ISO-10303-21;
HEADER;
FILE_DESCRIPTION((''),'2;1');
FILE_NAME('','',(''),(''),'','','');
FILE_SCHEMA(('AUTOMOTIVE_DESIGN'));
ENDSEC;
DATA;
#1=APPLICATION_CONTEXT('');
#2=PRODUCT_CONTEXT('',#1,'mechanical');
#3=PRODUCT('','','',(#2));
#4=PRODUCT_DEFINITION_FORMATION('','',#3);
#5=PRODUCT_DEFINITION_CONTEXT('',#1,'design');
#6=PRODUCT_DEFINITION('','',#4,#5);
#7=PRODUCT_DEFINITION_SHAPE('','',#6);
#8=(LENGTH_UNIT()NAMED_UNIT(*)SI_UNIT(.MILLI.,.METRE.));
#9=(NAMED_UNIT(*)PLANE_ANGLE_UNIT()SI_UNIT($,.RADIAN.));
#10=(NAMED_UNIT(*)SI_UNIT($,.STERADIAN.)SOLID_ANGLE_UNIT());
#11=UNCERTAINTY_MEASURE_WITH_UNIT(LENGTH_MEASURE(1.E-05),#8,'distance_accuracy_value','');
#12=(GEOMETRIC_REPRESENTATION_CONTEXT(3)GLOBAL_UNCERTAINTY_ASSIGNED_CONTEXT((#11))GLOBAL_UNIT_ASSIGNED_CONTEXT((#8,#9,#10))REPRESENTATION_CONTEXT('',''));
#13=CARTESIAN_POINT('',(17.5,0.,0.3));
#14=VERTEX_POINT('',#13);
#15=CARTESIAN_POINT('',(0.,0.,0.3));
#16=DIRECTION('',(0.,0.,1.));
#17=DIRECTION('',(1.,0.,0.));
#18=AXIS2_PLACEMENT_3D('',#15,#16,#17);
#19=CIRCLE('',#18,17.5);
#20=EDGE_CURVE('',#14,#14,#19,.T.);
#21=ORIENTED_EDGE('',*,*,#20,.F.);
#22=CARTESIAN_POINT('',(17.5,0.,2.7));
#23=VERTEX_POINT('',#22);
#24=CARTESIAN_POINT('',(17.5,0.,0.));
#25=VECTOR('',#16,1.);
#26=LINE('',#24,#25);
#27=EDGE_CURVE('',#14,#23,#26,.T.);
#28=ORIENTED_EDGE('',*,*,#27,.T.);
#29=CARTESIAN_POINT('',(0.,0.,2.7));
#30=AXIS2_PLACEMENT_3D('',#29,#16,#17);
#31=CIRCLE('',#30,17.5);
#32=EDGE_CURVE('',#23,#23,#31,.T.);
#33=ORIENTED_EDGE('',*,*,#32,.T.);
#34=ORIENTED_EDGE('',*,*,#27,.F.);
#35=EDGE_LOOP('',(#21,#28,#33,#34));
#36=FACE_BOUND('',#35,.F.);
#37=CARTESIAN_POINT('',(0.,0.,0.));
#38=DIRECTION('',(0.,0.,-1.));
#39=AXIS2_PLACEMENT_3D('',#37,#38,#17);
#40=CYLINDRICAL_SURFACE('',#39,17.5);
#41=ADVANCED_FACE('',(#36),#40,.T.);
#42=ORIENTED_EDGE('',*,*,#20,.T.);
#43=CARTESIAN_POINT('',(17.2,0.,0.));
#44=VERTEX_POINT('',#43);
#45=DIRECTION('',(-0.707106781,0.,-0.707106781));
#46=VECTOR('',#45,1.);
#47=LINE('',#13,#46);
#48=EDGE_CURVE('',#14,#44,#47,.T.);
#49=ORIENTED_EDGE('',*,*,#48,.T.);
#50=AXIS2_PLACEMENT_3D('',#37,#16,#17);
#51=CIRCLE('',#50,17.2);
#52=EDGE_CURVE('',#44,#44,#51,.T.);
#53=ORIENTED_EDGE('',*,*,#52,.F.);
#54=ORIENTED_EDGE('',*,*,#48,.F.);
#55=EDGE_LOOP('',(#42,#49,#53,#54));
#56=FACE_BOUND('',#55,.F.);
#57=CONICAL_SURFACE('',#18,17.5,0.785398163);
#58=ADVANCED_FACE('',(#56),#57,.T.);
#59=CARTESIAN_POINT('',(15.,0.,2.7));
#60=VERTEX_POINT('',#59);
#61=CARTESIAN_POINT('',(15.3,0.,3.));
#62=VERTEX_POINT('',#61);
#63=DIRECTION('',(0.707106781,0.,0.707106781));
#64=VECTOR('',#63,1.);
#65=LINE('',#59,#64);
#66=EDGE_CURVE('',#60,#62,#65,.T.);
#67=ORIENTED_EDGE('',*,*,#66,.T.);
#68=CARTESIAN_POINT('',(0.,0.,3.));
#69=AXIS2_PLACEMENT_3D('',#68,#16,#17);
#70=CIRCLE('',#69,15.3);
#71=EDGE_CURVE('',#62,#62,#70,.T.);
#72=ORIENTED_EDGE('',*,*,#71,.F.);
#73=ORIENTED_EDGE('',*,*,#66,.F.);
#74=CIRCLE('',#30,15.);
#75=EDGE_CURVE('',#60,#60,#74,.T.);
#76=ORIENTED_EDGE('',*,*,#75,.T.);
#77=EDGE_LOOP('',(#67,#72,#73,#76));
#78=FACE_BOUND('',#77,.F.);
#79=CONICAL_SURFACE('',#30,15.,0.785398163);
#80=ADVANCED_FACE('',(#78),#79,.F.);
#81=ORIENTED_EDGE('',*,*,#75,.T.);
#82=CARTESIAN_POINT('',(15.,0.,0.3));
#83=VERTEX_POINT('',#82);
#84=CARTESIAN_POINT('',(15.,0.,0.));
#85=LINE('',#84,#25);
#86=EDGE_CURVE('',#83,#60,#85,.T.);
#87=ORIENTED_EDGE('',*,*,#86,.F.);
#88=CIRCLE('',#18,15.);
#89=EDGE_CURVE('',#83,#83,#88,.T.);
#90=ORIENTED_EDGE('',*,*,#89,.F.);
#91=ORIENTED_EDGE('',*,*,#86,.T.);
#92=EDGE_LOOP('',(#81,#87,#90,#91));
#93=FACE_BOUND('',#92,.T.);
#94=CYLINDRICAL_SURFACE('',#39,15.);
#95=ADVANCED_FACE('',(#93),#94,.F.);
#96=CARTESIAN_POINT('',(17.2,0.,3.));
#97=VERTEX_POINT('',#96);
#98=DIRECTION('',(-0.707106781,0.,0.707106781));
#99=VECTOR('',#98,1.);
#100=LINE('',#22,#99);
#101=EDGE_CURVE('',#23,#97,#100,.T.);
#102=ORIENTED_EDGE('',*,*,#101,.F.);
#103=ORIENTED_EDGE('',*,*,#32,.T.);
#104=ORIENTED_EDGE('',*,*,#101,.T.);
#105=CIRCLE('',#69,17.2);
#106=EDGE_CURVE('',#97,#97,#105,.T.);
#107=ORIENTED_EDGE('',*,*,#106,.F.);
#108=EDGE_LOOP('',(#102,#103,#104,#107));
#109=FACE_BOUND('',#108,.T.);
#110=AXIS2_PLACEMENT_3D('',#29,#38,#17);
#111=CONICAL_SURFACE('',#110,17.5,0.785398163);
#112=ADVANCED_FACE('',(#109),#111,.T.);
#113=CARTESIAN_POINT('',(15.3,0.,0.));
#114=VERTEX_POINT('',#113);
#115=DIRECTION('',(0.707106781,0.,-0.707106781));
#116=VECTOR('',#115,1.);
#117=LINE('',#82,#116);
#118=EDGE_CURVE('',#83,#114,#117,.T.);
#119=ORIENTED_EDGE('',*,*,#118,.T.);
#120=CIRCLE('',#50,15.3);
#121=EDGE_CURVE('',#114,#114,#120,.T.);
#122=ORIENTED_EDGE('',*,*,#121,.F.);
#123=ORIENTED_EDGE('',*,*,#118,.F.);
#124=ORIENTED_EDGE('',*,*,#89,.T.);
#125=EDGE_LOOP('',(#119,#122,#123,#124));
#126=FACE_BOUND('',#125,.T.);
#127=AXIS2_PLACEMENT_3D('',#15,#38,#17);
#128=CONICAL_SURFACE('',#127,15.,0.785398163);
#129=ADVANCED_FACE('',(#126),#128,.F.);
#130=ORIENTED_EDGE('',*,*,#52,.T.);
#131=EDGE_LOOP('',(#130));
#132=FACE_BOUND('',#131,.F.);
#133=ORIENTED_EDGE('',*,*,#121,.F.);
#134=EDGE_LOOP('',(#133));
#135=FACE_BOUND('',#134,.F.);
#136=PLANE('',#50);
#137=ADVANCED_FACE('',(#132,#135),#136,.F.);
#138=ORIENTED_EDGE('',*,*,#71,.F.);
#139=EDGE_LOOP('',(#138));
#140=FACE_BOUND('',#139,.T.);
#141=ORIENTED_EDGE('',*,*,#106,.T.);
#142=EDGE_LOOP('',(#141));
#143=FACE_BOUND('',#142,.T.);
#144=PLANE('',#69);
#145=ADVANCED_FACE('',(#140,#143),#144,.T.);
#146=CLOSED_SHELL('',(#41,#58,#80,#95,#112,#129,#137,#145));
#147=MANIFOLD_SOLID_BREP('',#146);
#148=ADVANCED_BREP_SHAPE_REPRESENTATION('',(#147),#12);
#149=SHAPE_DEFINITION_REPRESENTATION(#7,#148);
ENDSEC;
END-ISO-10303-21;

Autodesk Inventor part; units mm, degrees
ref_plane "YZ Plane" through (0, 0, 0) normal (1, 0, 0) x (0, 1, 0)
ref_plane "XZ Plane" through (0, 0, 0) normal (0, 1, 0) x (-1, 0, 0)
ref_plane "XY Plane" through (0, 0, 0) normal (0, 0, 1) x (1, 0, 0)
sketch "草圖1" plane through (0, 0, 0) normal (0, 0, 1) x (1, 0, 0)
  circle A0 centre (0, 0) radius 17.5
  circle A1 centre (0, 0) radius 15
  dimension "d0" = 35
  dimension "d1" = 30
extrude "擠出1" add sketch "草圖1" along normal blind 3
chamfer "倒角1" distance 0.3 angle 45 4 edges at (-17.5, 0, 3) (-17.5, 0, 0) (-15, 0, 0) (-15, 0, 3)
properties part number "KE-SP-13"
